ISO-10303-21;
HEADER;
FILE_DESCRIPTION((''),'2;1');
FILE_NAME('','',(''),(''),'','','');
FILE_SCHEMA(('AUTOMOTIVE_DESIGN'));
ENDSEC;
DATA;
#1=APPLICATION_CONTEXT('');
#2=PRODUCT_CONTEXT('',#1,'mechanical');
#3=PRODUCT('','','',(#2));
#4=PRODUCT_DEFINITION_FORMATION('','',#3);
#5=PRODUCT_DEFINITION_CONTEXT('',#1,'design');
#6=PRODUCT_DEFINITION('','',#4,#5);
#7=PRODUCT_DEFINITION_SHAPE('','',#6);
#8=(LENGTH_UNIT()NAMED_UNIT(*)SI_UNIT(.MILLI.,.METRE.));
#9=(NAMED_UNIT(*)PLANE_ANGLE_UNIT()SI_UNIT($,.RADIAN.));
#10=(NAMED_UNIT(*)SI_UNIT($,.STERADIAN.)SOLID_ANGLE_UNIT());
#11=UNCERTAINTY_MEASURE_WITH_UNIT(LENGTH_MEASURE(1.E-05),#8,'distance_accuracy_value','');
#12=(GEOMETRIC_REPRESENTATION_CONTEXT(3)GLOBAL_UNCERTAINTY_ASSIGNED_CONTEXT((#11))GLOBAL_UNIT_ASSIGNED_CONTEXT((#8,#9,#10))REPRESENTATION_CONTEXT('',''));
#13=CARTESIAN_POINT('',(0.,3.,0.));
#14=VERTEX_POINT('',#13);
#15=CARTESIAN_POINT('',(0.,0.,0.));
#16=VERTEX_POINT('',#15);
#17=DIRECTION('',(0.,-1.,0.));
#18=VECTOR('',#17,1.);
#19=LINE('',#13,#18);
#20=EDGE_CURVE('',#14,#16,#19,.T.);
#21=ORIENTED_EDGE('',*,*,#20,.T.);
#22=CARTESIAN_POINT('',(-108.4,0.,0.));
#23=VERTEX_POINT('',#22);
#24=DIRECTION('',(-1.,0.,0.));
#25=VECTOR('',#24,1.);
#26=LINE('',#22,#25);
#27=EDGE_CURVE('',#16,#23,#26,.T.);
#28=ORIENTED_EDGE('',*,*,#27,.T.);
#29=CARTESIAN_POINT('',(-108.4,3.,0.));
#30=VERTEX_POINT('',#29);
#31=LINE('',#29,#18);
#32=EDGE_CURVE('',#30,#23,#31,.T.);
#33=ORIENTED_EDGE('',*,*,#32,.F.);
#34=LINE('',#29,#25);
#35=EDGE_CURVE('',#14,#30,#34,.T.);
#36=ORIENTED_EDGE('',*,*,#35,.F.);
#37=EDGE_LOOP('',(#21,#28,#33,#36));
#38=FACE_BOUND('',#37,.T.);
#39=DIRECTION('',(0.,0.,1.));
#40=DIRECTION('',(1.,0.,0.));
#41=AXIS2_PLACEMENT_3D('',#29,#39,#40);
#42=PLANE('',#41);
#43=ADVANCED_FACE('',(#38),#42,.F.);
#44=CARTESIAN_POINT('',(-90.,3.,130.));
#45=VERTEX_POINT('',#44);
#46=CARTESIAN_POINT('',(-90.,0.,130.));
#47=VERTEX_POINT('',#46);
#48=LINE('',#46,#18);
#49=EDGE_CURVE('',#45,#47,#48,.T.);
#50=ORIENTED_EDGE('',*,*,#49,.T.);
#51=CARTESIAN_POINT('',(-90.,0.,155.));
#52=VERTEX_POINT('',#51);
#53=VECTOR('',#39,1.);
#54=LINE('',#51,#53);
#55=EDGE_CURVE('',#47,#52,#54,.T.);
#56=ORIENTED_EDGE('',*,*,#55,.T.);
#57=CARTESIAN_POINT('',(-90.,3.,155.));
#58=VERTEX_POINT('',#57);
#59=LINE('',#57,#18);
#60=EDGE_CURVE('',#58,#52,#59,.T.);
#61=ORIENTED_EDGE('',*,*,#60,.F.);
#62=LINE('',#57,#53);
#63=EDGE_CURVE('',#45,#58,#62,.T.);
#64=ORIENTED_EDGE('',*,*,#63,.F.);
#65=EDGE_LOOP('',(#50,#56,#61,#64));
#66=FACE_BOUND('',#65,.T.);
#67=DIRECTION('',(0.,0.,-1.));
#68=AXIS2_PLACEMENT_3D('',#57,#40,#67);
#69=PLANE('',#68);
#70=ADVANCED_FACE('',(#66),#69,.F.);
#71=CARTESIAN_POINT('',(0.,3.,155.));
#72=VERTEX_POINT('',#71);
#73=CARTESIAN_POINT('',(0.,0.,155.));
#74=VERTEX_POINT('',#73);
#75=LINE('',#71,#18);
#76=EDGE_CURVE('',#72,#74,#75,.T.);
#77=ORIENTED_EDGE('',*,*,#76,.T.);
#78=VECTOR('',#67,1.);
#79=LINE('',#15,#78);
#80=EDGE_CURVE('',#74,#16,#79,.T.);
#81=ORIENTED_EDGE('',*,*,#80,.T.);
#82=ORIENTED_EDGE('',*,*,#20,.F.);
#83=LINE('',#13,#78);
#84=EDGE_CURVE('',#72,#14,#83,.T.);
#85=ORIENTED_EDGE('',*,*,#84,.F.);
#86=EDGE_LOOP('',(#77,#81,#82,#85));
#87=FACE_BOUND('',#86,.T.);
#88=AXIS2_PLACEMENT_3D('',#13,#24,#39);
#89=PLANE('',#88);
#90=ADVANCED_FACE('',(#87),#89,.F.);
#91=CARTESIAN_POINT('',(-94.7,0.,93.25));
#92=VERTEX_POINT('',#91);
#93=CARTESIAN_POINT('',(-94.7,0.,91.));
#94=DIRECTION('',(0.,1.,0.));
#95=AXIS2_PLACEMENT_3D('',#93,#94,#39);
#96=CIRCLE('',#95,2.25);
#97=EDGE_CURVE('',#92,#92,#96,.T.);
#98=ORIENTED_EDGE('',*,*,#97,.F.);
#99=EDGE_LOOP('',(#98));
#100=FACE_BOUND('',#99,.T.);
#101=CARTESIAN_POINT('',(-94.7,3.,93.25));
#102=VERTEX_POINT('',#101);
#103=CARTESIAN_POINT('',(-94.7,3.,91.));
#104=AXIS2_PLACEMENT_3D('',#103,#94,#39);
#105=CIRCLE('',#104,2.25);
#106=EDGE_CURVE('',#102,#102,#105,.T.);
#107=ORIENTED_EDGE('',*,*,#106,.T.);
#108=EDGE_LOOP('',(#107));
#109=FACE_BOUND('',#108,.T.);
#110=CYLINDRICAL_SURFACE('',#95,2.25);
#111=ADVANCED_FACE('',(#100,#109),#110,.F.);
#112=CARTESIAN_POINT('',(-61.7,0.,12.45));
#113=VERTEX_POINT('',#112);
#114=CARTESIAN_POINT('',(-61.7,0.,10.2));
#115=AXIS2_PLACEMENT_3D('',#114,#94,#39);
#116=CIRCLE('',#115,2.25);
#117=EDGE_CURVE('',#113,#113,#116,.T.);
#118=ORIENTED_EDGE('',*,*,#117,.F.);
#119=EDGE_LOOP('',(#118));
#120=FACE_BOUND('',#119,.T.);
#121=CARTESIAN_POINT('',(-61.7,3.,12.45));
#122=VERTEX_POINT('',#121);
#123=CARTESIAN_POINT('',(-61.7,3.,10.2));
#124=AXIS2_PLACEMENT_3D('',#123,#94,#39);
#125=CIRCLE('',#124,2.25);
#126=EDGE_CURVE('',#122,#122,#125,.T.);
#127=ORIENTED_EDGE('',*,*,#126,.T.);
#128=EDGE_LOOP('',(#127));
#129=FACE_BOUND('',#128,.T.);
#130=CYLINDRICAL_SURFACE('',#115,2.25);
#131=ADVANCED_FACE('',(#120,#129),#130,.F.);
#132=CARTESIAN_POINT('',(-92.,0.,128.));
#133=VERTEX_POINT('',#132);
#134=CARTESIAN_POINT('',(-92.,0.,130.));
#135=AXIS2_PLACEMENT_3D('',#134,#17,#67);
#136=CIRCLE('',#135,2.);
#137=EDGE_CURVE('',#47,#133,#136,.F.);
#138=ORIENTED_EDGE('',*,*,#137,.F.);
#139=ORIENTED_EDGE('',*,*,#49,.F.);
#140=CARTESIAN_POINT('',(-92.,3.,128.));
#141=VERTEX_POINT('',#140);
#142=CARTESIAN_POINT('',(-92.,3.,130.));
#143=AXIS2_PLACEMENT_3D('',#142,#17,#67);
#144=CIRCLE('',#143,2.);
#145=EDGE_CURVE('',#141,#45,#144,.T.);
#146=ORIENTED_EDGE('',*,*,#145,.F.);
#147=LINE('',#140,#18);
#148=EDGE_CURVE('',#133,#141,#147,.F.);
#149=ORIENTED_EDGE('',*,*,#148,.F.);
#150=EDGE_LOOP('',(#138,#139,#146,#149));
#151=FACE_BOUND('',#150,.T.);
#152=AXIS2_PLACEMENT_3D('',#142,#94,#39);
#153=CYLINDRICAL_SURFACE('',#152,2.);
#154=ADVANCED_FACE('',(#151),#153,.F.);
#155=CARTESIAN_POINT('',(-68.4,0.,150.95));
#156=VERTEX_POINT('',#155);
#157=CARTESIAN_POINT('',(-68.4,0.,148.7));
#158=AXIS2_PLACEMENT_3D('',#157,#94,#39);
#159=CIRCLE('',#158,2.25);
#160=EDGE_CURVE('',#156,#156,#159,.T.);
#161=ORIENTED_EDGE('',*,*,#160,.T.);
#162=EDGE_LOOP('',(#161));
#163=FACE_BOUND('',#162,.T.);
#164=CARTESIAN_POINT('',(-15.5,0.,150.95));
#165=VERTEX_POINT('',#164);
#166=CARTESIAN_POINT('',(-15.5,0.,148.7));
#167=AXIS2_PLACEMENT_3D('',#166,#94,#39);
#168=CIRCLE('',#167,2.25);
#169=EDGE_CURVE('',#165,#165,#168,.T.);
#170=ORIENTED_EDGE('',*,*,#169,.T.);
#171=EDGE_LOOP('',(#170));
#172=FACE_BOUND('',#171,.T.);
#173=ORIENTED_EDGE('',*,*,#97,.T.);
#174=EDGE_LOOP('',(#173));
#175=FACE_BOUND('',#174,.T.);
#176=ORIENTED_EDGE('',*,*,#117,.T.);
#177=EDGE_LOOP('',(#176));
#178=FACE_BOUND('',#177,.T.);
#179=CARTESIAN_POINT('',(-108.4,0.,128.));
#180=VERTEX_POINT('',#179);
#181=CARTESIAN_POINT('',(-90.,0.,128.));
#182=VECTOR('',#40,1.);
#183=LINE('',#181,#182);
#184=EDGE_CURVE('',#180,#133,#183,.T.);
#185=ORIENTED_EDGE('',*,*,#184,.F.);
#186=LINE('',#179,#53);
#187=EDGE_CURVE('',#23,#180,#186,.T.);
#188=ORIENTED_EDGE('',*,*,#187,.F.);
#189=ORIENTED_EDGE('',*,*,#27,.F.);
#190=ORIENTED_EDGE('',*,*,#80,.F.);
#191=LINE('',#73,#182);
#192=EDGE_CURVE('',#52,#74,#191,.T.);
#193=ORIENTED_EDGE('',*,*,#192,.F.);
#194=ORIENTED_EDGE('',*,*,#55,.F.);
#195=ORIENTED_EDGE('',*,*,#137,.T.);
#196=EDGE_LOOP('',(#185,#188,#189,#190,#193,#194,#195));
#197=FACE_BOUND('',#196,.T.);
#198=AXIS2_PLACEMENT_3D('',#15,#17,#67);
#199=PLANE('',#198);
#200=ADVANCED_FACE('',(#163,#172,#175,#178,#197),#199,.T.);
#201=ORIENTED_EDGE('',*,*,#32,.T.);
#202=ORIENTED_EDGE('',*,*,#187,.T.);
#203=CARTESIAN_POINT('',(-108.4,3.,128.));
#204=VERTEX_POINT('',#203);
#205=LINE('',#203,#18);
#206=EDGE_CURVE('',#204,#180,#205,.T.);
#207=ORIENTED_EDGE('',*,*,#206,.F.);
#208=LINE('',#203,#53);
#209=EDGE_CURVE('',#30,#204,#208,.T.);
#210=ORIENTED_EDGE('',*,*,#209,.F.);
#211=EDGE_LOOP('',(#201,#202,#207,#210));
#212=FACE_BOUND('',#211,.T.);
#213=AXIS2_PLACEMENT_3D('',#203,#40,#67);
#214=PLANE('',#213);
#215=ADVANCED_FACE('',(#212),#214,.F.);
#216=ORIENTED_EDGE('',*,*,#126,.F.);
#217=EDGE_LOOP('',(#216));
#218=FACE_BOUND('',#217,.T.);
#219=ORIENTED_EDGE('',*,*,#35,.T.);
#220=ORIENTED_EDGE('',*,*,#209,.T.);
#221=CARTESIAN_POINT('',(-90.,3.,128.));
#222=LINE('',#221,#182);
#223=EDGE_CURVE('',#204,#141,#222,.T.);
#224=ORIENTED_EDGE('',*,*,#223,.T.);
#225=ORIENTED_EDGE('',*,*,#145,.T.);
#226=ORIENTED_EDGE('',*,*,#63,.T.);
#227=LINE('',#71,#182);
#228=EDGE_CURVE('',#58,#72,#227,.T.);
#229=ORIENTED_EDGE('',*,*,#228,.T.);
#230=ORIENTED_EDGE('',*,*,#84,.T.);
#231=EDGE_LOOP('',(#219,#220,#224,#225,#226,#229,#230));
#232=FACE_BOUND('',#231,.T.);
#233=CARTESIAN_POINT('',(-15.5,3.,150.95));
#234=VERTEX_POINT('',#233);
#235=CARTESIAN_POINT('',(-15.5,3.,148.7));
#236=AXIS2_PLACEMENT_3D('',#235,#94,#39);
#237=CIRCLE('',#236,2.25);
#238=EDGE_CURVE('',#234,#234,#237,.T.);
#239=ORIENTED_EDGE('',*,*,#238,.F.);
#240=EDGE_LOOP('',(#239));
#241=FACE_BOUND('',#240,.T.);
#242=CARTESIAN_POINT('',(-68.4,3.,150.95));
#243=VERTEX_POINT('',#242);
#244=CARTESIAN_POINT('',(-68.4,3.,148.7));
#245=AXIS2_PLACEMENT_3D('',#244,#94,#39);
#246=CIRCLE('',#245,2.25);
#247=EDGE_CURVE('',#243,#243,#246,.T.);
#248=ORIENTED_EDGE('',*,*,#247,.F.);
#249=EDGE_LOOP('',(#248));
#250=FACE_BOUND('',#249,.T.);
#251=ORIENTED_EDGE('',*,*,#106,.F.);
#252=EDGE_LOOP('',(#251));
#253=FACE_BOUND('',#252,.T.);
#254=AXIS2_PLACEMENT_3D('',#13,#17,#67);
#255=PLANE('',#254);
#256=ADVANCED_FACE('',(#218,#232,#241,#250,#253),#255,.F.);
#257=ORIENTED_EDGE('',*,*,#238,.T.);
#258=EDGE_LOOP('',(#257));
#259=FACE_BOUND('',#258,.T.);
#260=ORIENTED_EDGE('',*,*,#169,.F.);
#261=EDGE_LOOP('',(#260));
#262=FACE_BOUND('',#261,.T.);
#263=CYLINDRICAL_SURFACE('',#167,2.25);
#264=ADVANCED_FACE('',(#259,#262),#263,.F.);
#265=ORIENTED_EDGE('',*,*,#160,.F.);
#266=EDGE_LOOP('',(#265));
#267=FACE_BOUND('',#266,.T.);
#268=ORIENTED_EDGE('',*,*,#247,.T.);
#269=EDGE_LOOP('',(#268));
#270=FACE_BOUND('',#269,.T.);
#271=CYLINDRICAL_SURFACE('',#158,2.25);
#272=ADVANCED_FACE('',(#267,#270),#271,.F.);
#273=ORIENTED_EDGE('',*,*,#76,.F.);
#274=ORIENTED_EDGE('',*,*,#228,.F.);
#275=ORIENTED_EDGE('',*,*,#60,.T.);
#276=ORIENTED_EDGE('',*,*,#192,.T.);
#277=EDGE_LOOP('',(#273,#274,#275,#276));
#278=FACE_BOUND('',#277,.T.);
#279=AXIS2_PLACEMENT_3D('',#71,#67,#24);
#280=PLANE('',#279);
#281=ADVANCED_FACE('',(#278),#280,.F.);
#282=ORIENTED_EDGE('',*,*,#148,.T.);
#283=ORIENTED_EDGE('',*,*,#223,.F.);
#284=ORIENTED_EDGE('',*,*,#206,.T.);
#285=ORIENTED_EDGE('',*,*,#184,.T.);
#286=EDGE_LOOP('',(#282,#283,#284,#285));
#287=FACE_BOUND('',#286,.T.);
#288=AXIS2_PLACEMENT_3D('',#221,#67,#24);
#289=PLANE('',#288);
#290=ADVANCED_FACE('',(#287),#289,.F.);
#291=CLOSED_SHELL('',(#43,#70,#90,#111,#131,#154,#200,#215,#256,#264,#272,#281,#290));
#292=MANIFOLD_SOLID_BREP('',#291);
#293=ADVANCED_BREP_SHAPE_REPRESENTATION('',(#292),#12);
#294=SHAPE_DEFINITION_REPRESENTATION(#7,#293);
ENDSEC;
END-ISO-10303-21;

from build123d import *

# Parameters (mm, degrees)
BOSS_EXTRUDE1_DEPTH = 3
SKETCH2_R           = 2.25
CUT_EXTRUDE1_DEPTH  = 190.168073416
FILLET1_R           = 2


with BuildPart() as part:
    # Sketch1 → Boss-Extrude1 (new body)
    with BuildSketch(Plane(origin=(0, 0, 0), x_dir=(1, 0, 0), z_dir=(0, 1, 0))):
        Polygon((0, 0), (0, -155), (-90, -155), (-90, -128), (-108.4, -128), (-108.4, 0), align=None)
    extrude(amount=BOSS_EXTRUDE1_DEPTH)

    # Sketch2 → Cut-Extrude1 (cut, through all)
    with BuildSketch(Plane(origin=(0, 3, 0), x_dir=(1, 0, 0), z_dir=(0, 1, 0))):
        with Locations(Location((-68.4, -148.7, 0), (0, 0, 270))):
            Circle(SKETCH2_R)
        with Locations(Location((-15.5, -148.7, 0), (0, 0, 270))):
            Circle(SKETCH2_R)
        with Locations(Location((-94.7, -91, 0), (0, 0, 270))):
            Circle(SKETCH2_R)
        with Locations(Location((-61.7, -10.2, 0), (0, 0, 270))):
            Circle(SKETCH2_R)
    extrude(amount=-CUT_EXTRUDE1_DEPTH, mode=Mode.SUBTRACT)

    # Fillet1
    fillet1_edges = [part.edges().sort_by_distance(p)[0] for p in [
        (-90, 1.5, 128),
    ]]
    fillet(fillet1_edges, radius=FILLET1_R)


solid = part.part
